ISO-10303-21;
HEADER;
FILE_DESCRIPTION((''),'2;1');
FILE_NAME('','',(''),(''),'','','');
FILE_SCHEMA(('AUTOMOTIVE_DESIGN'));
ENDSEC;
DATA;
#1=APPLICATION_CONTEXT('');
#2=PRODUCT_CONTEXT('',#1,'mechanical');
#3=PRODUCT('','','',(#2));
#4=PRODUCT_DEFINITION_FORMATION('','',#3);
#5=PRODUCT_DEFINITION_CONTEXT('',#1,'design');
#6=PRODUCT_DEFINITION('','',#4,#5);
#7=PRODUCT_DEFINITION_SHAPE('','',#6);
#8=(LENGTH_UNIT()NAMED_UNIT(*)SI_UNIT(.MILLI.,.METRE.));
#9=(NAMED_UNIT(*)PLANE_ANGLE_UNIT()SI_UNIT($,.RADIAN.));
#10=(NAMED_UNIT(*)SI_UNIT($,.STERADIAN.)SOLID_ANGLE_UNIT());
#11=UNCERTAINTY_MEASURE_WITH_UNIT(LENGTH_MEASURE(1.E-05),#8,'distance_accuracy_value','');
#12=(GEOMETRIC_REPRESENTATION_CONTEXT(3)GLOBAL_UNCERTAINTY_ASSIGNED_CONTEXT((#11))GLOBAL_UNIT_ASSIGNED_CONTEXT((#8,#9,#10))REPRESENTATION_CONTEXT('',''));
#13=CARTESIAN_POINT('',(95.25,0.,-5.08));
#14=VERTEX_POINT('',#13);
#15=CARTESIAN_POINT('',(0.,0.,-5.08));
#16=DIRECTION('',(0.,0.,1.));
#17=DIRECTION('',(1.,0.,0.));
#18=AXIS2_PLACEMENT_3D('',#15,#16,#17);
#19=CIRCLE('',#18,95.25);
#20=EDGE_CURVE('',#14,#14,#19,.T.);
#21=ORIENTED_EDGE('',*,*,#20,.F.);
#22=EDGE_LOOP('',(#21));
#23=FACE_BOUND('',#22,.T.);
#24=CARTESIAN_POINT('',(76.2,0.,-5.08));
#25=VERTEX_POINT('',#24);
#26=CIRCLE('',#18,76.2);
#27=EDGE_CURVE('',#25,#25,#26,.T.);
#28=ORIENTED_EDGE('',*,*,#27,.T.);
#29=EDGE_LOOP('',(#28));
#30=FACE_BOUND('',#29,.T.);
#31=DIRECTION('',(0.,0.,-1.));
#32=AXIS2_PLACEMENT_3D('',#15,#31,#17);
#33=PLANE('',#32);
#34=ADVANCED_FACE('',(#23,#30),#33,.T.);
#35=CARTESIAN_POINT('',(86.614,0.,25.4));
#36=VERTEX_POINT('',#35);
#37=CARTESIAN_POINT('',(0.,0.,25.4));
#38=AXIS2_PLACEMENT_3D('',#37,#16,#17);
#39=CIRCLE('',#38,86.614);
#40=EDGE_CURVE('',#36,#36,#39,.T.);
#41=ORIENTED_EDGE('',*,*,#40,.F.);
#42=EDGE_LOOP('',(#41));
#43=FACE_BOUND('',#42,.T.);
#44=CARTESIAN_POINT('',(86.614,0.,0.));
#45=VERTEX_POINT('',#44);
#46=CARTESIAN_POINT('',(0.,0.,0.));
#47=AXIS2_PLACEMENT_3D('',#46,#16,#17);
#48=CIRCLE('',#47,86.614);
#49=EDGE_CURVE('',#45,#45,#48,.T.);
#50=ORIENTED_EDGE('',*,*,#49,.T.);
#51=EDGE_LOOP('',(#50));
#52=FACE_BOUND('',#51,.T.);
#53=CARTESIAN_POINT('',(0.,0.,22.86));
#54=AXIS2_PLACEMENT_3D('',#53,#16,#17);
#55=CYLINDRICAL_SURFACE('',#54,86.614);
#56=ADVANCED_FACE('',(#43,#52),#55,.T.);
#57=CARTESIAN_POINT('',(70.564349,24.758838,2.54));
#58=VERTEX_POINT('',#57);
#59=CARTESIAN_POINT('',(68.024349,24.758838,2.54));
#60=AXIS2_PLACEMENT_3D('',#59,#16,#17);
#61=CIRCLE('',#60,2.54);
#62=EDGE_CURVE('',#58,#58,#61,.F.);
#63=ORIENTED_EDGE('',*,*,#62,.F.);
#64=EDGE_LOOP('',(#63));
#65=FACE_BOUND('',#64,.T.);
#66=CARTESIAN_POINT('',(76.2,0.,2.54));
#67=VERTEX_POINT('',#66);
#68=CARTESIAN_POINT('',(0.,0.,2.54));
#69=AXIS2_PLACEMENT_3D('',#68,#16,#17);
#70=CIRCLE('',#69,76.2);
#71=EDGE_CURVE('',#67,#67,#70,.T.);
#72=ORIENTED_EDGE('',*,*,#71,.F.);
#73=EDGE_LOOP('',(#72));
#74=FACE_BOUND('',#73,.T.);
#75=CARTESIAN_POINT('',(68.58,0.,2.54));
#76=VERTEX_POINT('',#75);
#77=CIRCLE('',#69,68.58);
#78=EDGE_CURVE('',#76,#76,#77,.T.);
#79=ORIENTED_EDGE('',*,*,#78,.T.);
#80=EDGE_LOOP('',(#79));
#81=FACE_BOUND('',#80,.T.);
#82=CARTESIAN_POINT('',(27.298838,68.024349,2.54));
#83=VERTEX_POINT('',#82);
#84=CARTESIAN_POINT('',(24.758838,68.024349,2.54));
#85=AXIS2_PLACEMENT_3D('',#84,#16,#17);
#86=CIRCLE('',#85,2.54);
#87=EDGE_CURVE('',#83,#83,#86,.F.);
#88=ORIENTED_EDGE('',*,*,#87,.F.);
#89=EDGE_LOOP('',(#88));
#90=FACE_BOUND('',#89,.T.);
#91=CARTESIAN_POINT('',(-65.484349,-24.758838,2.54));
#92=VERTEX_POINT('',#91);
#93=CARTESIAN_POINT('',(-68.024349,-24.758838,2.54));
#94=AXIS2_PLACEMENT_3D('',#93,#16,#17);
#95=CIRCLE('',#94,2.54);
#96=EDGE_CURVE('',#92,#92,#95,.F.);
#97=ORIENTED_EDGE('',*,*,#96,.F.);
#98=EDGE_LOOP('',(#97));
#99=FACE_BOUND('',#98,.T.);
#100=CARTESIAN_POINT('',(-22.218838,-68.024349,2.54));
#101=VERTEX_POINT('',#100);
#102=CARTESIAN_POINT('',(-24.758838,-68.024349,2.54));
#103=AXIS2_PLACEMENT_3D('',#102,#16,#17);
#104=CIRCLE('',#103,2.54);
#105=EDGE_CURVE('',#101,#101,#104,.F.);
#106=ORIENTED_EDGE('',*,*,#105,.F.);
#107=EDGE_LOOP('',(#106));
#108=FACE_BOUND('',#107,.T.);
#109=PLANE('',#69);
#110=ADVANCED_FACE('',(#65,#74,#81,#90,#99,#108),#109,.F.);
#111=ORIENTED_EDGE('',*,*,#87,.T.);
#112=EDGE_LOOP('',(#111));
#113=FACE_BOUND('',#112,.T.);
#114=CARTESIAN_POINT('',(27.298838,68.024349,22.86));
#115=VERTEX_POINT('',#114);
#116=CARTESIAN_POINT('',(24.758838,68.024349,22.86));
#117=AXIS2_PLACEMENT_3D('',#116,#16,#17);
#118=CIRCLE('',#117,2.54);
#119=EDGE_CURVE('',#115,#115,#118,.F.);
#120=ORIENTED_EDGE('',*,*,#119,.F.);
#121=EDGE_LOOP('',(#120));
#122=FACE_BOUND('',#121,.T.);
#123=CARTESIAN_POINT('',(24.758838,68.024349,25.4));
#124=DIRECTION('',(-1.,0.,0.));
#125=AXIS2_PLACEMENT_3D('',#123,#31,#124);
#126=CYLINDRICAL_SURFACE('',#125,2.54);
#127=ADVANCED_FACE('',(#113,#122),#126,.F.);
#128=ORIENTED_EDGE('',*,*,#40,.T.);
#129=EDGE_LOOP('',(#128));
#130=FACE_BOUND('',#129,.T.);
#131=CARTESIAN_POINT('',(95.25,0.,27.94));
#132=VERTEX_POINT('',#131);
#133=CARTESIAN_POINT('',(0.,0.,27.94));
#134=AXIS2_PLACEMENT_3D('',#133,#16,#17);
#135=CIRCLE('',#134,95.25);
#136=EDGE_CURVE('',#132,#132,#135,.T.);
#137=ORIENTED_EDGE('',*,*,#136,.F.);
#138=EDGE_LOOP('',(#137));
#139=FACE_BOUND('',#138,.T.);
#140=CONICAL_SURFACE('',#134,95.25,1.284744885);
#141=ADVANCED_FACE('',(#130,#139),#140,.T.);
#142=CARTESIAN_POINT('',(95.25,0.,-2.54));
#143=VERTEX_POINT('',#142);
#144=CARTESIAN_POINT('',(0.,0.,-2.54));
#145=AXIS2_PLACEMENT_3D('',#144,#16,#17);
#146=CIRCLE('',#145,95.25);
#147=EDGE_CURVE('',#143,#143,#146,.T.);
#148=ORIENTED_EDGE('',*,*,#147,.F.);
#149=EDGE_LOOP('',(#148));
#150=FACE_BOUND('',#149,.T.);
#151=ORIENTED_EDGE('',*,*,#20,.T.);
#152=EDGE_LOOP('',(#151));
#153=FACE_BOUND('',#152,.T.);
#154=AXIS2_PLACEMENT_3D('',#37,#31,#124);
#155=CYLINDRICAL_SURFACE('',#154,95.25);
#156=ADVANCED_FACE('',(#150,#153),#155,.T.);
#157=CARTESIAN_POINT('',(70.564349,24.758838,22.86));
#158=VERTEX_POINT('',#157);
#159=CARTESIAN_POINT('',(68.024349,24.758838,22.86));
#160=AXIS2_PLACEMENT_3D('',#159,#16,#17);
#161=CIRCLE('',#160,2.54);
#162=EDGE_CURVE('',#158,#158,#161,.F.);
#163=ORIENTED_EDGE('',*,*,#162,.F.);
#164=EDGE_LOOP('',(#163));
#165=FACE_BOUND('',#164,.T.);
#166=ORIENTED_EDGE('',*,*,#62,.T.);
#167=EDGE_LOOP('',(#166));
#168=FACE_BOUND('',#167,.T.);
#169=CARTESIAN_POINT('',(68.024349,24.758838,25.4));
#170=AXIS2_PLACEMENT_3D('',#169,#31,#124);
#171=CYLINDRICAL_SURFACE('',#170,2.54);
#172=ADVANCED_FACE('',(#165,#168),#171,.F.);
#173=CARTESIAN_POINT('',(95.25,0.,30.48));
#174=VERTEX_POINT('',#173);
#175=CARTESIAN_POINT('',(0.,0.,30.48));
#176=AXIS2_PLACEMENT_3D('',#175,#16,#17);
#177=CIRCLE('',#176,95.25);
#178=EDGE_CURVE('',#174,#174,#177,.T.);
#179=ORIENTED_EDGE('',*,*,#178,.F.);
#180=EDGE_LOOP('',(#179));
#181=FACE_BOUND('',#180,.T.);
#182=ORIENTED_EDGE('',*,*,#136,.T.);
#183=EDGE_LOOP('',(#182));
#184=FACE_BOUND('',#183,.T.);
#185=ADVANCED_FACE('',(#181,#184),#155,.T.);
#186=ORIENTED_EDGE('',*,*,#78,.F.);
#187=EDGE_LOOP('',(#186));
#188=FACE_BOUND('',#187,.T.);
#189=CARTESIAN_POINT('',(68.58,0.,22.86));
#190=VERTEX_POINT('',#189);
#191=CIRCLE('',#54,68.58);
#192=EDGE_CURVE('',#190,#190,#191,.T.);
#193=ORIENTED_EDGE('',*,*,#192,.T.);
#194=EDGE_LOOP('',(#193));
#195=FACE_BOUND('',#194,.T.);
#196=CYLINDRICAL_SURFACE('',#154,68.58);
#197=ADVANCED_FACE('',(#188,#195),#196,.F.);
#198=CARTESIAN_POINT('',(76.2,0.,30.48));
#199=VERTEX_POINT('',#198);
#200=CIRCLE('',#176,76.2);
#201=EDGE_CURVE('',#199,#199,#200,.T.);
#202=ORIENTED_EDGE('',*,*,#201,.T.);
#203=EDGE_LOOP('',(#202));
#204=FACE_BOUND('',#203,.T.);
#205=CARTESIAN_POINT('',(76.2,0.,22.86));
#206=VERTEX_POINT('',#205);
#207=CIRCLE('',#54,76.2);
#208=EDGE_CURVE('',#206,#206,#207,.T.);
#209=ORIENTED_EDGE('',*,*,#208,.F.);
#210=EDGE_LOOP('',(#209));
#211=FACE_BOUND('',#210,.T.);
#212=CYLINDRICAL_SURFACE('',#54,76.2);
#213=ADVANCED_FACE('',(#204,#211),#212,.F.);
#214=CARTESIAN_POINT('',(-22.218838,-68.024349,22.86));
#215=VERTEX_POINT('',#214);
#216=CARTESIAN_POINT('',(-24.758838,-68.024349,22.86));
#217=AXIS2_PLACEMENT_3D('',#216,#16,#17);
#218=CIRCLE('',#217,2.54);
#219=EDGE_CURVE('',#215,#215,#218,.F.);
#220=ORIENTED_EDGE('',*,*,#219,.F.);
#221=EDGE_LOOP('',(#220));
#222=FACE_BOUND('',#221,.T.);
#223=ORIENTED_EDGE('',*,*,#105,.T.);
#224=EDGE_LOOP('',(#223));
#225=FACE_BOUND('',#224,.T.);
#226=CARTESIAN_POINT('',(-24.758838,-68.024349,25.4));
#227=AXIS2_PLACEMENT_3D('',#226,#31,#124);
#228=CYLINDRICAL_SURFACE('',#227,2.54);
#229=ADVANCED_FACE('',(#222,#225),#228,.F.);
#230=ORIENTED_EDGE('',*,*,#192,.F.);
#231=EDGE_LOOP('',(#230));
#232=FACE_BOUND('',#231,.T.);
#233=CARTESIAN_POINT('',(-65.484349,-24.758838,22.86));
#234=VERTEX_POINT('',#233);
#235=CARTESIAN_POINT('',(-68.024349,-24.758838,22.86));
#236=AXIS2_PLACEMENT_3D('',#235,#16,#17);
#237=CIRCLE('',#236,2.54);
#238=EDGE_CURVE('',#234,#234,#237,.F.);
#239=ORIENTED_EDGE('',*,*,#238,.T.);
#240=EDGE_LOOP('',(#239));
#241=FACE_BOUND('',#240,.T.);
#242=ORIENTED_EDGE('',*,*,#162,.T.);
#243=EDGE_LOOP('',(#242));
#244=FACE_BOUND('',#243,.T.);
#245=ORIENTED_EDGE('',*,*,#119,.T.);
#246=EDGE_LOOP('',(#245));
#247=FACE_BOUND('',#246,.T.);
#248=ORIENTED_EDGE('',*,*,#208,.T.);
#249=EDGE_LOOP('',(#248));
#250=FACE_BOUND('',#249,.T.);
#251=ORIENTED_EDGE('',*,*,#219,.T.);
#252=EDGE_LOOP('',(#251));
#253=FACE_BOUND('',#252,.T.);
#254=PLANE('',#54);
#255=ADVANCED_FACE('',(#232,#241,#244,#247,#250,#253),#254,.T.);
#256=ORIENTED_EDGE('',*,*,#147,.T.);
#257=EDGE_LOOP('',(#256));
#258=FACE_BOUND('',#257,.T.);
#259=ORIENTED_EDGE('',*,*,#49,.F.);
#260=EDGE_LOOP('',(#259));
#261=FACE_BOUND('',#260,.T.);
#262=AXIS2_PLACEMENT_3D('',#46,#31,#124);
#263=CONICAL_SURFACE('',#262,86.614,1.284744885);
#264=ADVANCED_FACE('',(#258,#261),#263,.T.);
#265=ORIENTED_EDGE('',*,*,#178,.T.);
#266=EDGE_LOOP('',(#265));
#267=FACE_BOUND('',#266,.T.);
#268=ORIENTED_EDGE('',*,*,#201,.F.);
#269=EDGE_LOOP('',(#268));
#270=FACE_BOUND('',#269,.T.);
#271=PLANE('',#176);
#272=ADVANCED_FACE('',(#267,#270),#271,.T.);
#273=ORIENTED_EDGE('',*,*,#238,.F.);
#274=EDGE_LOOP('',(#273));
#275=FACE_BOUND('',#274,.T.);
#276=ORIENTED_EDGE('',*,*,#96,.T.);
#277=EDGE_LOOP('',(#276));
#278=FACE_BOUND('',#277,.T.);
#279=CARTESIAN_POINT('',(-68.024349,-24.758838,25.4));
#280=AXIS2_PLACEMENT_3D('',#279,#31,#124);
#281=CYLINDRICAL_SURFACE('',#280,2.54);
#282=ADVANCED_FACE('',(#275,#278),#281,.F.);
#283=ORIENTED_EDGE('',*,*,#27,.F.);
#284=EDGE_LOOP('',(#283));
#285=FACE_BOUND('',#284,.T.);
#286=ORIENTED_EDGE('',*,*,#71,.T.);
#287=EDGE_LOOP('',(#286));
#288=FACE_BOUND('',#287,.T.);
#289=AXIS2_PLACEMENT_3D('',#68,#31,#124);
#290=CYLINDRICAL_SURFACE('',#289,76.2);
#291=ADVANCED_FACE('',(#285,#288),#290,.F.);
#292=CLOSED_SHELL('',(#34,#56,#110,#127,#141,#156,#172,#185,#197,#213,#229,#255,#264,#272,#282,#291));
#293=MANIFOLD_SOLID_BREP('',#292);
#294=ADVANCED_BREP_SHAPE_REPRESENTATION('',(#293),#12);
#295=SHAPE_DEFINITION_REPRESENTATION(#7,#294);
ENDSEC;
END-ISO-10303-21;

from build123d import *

# Parameters (mm, degrees)
SKETCH1_R           = 82.55
BOSS_EXTRUDE1_DEPTH = 25.4
SKETCH2_R           = 68.58
CUT_EXTRUDE1_DEPTH  = 25.4
SKETCH3_R           = 76.2
CUT_EXTRUDE2_DEPTH  = 2.54
CUT_EXTRUDE3_START  = -2.54
SKETCH4_R           = 76.2
CUT_EXTRUDE3_DEPTH  = 2.54
CHAMFER5_SIZE       = 0.254
CHAMFER6_SIZE       = 0.254
SKETCH6_R           = 2.54
CUT_EXTRUDE4_DEPTH  = 120.474537036
SKETCH7_R           = 95.25
SKETCH7_R_2         = 76.2
BOSS_EXTRUDE2_DEPTH = 25.4
SKETCH9_R           = 95.25
SKETCH9_R_2         = 76.2
BOSS_EXTRUDE3_DEPTH = 5.08


with BuildPart() as part:
    # Sketch1 → Boss-Extrude1 (new body)
    with BuildSketch(Plane.XY):
        Circle(SKETCH1_R)
    extrude(amount=BOSS_EXTRUDE1_DEPTH)

    # Sketch2 → Cut-Extrude1 (cut)
    with BuildSketch(Plane.XY):
        Circle(SKETCH2_R)
    extrude(amount=CUT_EXTRUDE1_DEPTH, mode=Mode.SUBTRACT)

    # Sketch3 → Cut-Extrude2 (cut)
    with BuildSketch(Plane.XY):
        Circle(SKETCH3_R)
    extrude(amount=CUT_EXTRUDE2_DEPTH, mode=Mode.SUBTRACT)

    # Sketch4 → Cut-Extrude3 (cut)
    with BuildSketch(Plane.XY.offset(25.4).offset(CUT_EXTRUDE3_START)):
        Circle(SKETCH4_R)
    extrude(amount=CUT_EXTRUDE3_DEPTH, mode=Mode.SUBTRACT)

    # Chamfer5
    chamfer5_edges = [part.edges().sort_by_distance(p)[0] for p in [
        (-82.55, 0, 0),
    ]]
    chamfer(chamfer5_edges, length=CHAMFER5_SIZE)

    # Chamfer6
    chamfer6_edges = [part.edges().sort_by_distance(p)[0] for p in [
        (-82.55, 0, 25.4),
    ]]
    chamfer(chamfer6_edges, length=CHAMFER6_SIZE)

    # Sketch6 → Cut-Extrude4 (cut, through all)
    with BuildSketch(Plane.XY):
        with Locations((68.024348819, 24.758838175)):
            Circle(SKETCH6_R)
        with Locations((-68.024348819, -24.758838175)):
            Circle(SKETCH6_R)
        with Locations((24.758838175, 68.024348819)):
            Circle(SKETCH6_R)
        with Locations((-24.758838175, -68.024348819)):
            Circle(SKETCH6_R)
    extrude(amount=CUT_EXTRUDE4_DEPTH, mode=Mode.SUBTRACT)

    # Sketch7 → Boss-Extrude2 (add)
    with BuildSketch(Plane(origin=(0, 0, 0), x_dir=(-1, 0, 0), z_dir=(0, 0, -1))):
        Circle(SKETCH7_R)
        with Locations(Location((0, 0, 0), (0, 0, 180))):
            Circle(SKETCH7_R_2, mode=Mode.SUBTRACT)
    extrude(amount=-BOSS_EXTRUDE2_DEPTH)

    # Sketch9 → Boss-Extrude3 (add)
    with BuildSketch(Plane.XY.offset(25.4)):
        with Locations(Location((0, 0, 0), (0, 0, 180))):
            Circle(SKETCH9_R)
        Circle(SKETCH9_R_2, mode=Mode.SUBTRACT)
    boss_extrude3 = extrude(amount=BOSS_EXTRUDE3_DEPTH)

    # Mirror1: Boss-Extrude3 across plane
    add(boss_extrude3.mirror(Plane(origin=(0, 0, 12.7), x_dir=(1, 0, 0), z_dir=(0, 0, -1))))

    # Sketch10 → Cut-Revolve1 (revolve, cut)
    with BuildSketch(Plane(origin=(0, 0, 0), x_dir=(0, 0, -1), z_dir=(1, 0, 0)), mode=Mode.PRIVATE) as cut_revolve1_sk:
        Polygon((0, 86.614), (-25.4, 86.614), (-27.94, 95.25), (2.54, 95.25), align=None)
    revolve(cut_revolve1_sk.sketch.rotate(Axis((0, 0, 22.86), (0, 0, -1)), 90), axis=Axis((0, 0, 22.86), (0, 0, -1)), mode=Mode.SUBTRACT)


solid = part.part
